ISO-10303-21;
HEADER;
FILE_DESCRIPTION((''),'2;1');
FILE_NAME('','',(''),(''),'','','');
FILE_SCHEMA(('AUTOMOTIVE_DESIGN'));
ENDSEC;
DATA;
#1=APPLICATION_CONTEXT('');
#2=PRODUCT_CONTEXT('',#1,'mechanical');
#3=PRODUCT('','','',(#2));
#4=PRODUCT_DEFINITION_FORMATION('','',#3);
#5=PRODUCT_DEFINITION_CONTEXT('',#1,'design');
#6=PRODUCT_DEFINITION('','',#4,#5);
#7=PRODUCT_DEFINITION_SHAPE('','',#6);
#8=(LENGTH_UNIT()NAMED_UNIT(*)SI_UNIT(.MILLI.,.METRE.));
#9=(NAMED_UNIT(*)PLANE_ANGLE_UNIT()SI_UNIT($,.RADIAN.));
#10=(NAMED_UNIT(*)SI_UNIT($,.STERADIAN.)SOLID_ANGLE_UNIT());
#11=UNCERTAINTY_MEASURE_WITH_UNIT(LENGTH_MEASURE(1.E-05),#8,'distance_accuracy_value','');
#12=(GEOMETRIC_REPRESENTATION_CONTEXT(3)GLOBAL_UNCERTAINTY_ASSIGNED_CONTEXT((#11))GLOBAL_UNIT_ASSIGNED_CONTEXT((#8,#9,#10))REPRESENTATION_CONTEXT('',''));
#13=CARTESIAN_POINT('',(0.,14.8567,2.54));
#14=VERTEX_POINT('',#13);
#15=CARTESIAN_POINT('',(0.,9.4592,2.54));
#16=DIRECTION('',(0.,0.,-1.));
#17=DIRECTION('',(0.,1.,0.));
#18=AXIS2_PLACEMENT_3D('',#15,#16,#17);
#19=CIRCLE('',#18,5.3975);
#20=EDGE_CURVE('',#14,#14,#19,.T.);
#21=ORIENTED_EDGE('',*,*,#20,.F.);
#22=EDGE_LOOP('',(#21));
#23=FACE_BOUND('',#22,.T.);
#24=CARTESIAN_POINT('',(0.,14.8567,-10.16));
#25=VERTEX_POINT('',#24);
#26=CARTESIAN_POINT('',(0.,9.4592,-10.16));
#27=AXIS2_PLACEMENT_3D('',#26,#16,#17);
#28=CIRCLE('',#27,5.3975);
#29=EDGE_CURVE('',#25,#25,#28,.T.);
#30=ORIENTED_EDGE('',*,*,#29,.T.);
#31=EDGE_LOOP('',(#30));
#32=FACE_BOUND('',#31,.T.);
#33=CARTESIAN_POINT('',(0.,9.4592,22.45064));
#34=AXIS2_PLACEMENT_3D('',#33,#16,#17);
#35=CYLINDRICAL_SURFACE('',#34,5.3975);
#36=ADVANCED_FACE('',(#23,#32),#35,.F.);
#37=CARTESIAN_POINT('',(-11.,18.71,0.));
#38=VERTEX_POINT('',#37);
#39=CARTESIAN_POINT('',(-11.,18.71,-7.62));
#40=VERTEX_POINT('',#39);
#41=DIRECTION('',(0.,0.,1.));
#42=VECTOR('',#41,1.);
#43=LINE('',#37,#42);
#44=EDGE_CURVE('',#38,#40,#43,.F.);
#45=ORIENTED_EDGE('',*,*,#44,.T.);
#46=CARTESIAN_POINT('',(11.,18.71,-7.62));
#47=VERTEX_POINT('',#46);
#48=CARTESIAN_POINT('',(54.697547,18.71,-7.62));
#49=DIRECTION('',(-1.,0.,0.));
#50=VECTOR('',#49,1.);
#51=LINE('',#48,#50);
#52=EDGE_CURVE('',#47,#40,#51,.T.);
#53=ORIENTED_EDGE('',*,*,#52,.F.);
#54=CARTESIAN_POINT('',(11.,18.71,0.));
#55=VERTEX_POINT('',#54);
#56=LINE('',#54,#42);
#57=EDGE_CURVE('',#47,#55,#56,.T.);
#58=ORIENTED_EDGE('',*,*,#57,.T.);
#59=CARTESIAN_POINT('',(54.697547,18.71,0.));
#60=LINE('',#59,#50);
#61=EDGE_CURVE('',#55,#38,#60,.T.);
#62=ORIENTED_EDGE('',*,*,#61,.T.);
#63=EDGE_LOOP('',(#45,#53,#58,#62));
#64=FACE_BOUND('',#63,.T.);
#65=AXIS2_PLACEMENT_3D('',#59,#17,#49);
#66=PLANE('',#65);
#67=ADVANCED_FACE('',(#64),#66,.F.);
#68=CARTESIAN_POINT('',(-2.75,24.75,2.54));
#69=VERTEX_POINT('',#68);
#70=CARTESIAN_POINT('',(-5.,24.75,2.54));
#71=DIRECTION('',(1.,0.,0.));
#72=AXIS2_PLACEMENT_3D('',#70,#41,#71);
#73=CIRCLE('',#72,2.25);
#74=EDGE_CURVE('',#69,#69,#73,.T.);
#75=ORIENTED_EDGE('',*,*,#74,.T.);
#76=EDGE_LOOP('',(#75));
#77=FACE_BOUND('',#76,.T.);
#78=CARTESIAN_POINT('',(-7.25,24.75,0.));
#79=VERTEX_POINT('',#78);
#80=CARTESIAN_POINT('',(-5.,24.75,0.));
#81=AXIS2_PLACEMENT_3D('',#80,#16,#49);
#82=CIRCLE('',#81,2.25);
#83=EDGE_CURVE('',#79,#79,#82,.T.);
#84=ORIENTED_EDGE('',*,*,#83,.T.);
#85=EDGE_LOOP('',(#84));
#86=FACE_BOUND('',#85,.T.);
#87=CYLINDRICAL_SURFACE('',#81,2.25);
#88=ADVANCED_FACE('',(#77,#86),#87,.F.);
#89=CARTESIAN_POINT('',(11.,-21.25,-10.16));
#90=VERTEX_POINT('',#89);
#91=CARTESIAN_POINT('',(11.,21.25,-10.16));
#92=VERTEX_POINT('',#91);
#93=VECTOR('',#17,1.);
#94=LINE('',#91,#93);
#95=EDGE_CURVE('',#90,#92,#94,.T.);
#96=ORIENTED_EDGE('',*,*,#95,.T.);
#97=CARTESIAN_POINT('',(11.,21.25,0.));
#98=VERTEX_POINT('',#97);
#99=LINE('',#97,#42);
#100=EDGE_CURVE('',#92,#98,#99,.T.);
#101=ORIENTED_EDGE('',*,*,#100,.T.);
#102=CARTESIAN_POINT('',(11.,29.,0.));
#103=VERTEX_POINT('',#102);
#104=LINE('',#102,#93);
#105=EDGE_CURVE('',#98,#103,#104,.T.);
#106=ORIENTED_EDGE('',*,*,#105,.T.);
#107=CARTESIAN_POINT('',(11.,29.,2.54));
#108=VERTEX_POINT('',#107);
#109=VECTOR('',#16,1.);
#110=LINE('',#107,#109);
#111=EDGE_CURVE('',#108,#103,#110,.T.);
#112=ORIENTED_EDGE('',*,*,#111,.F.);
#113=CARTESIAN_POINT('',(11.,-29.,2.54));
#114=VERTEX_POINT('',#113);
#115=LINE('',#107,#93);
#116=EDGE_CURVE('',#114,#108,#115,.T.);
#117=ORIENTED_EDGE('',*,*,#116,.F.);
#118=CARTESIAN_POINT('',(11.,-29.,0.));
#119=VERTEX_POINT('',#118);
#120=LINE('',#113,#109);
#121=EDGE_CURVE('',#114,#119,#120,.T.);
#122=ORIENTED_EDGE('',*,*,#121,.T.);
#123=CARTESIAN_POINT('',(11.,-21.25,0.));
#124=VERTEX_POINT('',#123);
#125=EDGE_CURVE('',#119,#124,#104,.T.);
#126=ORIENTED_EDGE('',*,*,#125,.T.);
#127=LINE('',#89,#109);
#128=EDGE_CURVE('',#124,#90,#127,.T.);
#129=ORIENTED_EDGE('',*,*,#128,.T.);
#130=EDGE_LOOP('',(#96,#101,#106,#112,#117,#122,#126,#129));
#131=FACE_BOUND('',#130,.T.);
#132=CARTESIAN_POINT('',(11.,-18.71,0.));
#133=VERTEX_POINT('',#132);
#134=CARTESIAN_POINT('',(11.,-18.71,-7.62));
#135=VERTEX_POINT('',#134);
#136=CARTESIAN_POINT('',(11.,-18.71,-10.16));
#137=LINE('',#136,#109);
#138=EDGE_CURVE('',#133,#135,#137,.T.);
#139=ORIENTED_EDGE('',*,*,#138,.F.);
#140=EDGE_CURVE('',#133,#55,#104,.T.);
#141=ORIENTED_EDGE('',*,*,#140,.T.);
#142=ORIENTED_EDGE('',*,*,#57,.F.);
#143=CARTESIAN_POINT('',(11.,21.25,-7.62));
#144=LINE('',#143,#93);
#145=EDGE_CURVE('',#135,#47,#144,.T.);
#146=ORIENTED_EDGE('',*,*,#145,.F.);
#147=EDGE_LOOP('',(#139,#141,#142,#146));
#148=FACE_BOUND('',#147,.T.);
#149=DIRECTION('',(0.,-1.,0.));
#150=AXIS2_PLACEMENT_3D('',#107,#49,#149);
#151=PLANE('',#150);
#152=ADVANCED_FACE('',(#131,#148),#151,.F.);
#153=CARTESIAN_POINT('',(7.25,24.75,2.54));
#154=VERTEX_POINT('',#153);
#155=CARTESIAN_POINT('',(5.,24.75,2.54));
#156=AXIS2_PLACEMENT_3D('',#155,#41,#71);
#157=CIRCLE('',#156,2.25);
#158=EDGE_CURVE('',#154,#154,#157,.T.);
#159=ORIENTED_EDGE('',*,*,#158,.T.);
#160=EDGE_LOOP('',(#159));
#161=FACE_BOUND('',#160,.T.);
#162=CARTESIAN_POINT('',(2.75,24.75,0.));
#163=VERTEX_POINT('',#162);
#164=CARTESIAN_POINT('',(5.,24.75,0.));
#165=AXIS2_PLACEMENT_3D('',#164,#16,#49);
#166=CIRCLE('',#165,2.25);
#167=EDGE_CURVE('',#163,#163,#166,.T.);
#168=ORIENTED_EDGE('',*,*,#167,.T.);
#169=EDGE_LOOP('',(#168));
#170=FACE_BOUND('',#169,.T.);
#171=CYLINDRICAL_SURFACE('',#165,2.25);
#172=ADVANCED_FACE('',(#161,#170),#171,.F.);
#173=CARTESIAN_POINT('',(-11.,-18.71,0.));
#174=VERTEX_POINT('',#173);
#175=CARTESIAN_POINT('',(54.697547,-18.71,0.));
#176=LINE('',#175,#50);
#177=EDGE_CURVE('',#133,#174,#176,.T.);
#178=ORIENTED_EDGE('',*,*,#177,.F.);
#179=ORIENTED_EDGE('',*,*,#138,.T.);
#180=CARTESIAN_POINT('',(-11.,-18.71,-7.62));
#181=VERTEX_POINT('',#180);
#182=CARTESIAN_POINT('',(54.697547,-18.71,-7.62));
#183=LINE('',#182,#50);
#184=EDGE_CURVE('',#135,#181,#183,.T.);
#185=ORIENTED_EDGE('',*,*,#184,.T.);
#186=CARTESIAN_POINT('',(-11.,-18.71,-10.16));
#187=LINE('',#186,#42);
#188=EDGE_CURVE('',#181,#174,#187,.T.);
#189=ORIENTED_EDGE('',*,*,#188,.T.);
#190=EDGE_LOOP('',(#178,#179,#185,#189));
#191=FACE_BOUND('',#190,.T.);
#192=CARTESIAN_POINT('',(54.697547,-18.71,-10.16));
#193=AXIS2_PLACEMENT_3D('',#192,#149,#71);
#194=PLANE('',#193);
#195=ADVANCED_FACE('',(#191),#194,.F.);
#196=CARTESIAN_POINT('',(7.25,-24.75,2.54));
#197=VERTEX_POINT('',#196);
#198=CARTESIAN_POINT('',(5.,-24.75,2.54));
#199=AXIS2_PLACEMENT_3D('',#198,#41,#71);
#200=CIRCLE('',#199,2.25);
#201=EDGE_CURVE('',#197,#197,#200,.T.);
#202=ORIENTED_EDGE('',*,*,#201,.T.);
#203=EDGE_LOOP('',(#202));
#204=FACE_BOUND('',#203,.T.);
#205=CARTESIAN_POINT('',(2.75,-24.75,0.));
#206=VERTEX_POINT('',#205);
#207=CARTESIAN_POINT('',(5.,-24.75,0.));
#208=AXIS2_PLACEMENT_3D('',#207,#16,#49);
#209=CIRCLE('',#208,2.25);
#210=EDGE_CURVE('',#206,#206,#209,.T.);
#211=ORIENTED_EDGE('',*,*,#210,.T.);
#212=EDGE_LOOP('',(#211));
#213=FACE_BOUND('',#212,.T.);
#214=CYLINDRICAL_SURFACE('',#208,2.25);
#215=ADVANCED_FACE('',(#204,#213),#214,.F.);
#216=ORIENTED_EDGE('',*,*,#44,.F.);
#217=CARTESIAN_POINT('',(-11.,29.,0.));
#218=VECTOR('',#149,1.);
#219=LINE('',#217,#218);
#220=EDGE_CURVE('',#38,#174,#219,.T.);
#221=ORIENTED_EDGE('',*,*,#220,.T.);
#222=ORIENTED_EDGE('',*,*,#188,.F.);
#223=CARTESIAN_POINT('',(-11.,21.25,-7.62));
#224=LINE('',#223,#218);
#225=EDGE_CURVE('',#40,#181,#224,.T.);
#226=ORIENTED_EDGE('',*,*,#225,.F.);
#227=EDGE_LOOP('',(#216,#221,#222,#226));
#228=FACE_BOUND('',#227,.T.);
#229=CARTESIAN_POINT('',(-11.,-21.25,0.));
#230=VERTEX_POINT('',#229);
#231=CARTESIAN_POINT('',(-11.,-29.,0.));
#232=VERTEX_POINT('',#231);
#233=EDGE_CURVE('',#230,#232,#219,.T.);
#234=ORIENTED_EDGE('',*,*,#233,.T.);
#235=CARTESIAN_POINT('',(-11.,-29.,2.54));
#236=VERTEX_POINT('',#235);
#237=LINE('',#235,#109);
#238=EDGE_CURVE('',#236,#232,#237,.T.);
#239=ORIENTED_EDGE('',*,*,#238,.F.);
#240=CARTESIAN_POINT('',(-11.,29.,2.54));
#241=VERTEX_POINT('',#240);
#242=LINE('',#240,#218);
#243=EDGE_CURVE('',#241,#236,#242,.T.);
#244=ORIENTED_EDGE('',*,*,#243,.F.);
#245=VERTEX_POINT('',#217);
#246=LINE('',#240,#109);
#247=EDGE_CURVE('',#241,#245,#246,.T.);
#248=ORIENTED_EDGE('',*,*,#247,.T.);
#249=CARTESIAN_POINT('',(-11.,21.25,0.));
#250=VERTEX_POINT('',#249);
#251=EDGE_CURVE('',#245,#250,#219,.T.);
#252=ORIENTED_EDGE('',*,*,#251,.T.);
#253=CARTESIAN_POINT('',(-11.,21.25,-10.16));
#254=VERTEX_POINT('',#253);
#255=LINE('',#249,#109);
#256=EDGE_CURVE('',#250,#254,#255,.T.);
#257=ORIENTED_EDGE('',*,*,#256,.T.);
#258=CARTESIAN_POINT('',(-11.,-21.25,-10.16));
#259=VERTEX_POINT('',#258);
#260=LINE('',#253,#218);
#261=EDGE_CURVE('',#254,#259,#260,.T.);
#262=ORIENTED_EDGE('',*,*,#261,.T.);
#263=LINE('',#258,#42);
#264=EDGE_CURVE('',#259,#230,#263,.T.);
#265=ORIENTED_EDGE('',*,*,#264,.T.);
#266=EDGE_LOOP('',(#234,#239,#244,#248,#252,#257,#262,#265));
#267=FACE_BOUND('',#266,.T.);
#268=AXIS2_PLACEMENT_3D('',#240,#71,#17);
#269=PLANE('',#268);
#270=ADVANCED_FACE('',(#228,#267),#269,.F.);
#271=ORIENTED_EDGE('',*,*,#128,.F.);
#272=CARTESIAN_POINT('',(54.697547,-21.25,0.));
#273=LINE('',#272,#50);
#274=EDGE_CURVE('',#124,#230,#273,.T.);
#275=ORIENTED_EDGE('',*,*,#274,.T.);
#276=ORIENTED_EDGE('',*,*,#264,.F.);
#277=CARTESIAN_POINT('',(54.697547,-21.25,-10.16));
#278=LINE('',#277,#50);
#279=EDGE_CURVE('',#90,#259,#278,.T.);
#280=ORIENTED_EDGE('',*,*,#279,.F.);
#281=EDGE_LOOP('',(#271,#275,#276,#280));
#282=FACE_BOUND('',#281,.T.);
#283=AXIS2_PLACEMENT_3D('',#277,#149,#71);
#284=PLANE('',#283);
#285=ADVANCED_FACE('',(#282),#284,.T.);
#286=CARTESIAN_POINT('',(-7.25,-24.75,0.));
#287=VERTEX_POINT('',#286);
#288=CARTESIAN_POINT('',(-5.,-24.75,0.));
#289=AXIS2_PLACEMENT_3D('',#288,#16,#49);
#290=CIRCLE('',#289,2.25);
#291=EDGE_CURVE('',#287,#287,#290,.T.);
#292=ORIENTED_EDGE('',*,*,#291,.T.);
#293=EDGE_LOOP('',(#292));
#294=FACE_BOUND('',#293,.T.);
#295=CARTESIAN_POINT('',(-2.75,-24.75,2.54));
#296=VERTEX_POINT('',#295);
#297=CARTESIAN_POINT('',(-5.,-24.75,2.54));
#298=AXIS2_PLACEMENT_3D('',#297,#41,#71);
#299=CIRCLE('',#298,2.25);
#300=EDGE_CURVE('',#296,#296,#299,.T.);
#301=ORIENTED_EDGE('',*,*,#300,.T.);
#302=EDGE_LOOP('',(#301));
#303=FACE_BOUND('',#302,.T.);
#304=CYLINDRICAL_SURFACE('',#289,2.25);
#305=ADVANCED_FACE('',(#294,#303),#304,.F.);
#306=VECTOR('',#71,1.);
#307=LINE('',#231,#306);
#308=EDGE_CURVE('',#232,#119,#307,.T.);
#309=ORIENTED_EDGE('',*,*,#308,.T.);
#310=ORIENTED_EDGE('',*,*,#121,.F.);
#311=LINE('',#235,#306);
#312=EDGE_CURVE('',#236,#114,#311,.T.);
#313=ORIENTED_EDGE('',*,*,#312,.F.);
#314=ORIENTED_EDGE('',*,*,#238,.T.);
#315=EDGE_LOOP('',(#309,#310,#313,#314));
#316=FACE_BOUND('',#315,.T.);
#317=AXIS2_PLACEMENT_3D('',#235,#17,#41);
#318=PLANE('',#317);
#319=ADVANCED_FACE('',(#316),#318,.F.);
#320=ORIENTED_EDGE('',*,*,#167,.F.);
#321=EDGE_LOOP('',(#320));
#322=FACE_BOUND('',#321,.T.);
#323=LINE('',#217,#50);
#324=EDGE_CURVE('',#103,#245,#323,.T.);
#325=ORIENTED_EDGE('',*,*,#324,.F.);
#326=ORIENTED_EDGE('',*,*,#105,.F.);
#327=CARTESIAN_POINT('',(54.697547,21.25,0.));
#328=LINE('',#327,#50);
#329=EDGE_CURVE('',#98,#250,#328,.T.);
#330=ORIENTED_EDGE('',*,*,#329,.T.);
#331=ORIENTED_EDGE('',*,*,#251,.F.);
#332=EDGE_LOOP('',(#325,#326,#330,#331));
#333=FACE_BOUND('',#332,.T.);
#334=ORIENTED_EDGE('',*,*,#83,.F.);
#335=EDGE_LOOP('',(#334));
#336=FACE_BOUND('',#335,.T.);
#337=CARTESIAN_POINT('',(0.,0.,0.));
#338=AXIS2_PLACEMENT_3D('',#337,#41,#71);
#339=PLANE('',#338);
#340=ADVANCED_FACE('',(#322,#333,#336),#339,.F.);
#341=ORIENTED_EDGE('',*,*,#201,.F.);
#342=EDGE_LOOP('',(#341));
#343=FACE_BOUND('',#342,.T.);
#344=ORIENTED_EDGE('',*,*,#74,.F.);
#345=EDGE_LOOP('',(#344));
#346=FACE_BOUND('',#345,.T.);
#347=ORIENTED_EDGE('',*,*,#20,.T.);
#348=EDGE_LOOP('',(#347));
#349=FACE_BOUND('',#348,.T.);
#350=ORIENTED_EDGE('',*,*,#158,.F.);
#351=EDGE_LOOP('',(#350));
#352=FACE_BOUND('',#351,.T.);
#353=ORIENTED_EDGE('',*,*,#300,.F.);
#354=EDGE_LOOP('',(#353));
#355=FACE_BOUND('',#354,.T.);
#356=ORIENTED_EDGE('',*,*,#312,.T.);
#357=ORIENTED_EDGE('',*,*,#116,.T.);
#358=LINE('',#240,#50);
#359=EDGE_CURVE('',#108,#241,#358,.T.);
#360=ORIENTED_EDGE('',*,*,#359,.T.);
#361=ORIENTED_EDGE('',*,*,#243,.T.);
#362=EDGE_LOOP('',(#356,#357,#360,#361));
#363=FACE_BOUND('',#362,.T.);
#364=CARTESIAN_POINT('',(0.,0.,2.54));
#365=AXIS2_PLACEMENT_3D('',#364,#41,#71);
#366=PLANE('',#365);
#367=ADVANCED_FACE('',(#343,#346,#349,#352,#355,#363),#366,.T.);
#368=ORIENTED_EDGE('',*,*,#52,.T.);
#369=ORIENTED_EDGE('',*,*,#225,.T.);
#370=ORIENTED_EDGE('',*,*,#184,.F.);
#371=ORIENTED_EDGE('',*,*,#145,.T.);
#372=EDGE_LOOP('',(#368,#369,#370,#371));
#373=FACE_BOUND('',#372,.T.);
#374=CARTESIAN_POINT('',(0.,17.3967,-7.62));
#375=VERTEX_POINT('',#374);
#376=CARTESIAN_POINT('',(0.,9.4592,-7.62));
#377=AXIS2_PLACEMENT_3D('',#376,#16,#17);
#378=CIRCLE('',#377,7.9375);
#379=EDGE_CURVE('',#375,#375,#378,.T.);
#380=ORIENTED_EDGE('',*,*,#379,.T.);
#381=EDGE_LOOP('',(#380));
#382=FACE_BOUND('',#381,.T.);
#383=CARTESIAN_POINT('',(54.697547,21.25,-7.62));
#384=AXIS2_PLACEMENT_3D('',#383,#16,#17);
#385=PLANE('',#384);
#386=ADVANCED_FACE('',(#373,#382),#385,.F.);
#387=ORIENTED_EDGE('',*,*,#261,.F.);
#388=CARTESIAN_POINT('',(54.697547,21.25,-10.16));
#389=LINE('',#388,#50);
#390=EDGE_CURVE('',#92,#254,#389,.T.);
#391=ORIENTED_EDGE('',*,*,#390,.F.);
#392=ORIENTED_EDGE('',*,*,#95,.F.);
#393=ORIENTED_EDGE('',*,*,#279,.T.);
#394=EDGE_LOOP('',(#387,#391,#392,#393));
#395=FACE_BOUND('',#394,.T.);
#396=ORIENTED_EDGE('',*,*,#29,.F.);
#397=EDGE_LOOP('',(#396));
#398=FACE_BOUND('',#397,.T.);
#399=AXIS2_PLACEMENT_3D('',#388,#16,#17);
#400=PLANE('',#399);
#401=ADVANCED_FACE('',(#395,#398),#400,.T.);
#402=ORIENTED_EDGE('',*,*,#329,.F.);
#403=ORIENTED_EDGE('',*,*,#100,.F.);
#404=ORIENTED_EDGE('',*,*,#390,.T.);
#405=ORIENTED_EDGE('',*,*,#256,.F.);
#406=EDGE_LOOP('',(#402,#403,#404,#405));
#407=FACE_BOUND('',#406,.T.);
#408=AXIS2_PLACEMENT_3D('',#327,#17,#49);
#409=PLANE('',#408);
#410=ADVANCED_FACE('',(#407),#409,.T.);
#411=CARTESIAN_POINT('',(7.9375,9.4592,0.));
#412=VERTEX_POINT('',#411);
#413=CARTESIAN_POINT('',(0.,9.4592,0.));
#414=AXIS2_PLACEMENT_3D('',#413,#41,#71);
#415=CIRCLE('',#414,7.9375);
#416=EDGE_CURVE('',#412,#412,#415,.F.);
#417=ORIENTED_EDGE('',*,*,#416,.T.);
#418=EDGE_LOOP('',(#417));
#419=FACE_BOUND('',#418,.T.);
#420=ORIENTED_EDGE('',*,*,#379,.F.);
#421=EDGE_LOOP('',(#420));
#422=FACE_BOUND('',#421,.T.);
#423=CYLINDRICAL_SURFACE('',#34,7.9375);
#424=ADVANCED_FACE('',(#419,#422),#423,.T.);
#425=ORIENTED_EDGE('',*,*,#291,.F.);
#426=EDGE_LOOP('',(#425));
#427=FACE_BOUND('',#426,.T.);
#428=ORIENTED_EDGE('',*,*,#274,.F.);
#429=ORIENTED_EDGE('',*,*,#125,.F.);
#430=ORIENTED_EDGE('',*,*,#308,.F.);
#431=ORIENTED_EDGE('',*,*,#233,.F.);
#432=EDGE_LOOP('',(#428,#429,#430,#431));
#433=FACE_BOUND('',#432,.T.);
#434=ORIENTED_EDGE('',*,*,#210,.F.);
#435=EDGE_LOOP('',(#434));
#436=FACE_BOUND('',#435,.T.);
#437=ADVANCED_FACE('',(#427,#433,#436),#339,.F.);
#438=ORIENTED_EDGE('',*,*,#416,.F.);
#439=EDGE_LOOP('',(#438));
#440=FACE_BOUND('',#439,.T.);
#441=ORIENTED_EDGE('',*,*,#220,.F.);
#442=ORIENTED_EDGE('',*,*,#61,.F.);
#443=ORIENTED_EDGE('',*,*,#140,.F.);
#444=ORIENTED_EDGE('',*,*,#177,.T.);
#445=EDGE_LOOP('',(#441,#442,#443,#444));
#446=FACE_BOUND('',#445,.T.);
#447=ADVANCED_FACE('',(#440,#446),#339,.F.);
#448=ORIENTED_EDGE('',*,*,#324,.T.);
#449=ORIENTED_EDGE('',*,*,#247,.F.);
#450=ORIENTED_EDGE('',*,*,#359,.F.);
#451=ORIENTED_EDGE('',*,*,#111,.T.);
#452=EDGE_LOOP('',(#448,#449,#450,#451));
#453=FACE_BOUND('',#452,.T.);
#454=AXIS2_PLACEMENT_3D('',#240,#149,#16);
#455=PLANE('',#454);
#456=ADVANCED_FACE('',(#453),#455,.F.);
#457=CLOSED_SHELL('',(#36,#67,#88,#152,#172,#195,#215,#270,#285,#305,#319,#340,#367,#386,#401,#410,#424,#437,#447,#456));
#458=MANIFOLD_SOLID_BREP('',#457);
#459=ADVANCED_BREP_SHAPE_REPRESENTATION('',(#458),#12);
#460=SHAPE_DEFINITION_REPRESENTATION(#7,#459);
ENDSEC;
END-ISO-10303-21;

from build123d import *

# Parameters (mm, degrees)
SKETCH1_W            = 22
SKETCH1_H            = 58
BOSS_EXTRUDE1_DEPTH  = 2.54
EXTRUDE_THIN2_DEPTH  = 22
SKETCH7_R            = 7.9375
SKETCH7_R_2          = 5.3975
BOSS_EXTRUDE2_DEPTH  = 10.16
SKETCH8_R            = 5.3975
CUT_EXTRUDE1_DEPTH   = 34.515518794
M4_CLEARANCE_HOLE1_D = 4.5


with BuildPart() as part:
    # Sketch1 → Boss-Extrude1 (new body)
    with BuildSketch(Plane.XY):
        Rectangle(SKETCH1_W, SKETCH1_H)
    extrude(amount=BOSS_EXTRUDE1_DEPTH)

    # Sketch6 → Extrude-Thin2 (add)
    with BuildSketch(Plane.ZY.offset(11)):
        Polygon((0, 21.25), (-10.16, 21.25), (-10.16, -21.25), (0, -21.25), (0, -18.71), (-7.62, -18.71), (-7.62, 18.71), (0, 18.71), align=None)
    extrude(amount=-EXTRUDE_THIN2_DEPTH)

    # Sketch7 → Boss-Extrude2 (add)
    with BuildSketch(Plane(origin=(0, 0, -10.16), x_dir=(-1, 0, 0), z_dir=(0, 0, -1))):
        with Locations(Location((0, 9.4592, 0), (0, 0, 90))):
            Circle(SKETCH7_R)
        with Locations(Location((0, 9.4592, 0), (0, 0, 90))):
            Circle(SKETCH7_R_2, mode=Mode.SUBTRACT)
    extrude(amount=-BOSS_EXTRUDE2_DEPTH)

    # Sketch8 → Cut-Extrude1 (cut, through all)
    with BuildSketch(Plane(origin=(0, 0, -10.16), x_dir=(-1, 0, 0), z_dir=(0, 0, -1))):
        with Locations(Location((0, 9.4592, 0), (0, 0, 90))):
            Circle(SKETCH8_R)
    extrude(amount=-CUT_EXTRUDE1_DEPTH, mode=Mode.SUBTRACT)

    # M4 Clearance Hole1 (through all)
    with Locations(Plane(origin=(0, 0, 0), x_dir=(-1, 0, 0), z_dir=(0, 0, -1))):
        with Locations((-5, 24.75), (5, 24.75), (-5, -24.75), (5, -24.75)):
            Hole(M4_CLEARANCE_HOLE1_D / 2)


solid = part.part
